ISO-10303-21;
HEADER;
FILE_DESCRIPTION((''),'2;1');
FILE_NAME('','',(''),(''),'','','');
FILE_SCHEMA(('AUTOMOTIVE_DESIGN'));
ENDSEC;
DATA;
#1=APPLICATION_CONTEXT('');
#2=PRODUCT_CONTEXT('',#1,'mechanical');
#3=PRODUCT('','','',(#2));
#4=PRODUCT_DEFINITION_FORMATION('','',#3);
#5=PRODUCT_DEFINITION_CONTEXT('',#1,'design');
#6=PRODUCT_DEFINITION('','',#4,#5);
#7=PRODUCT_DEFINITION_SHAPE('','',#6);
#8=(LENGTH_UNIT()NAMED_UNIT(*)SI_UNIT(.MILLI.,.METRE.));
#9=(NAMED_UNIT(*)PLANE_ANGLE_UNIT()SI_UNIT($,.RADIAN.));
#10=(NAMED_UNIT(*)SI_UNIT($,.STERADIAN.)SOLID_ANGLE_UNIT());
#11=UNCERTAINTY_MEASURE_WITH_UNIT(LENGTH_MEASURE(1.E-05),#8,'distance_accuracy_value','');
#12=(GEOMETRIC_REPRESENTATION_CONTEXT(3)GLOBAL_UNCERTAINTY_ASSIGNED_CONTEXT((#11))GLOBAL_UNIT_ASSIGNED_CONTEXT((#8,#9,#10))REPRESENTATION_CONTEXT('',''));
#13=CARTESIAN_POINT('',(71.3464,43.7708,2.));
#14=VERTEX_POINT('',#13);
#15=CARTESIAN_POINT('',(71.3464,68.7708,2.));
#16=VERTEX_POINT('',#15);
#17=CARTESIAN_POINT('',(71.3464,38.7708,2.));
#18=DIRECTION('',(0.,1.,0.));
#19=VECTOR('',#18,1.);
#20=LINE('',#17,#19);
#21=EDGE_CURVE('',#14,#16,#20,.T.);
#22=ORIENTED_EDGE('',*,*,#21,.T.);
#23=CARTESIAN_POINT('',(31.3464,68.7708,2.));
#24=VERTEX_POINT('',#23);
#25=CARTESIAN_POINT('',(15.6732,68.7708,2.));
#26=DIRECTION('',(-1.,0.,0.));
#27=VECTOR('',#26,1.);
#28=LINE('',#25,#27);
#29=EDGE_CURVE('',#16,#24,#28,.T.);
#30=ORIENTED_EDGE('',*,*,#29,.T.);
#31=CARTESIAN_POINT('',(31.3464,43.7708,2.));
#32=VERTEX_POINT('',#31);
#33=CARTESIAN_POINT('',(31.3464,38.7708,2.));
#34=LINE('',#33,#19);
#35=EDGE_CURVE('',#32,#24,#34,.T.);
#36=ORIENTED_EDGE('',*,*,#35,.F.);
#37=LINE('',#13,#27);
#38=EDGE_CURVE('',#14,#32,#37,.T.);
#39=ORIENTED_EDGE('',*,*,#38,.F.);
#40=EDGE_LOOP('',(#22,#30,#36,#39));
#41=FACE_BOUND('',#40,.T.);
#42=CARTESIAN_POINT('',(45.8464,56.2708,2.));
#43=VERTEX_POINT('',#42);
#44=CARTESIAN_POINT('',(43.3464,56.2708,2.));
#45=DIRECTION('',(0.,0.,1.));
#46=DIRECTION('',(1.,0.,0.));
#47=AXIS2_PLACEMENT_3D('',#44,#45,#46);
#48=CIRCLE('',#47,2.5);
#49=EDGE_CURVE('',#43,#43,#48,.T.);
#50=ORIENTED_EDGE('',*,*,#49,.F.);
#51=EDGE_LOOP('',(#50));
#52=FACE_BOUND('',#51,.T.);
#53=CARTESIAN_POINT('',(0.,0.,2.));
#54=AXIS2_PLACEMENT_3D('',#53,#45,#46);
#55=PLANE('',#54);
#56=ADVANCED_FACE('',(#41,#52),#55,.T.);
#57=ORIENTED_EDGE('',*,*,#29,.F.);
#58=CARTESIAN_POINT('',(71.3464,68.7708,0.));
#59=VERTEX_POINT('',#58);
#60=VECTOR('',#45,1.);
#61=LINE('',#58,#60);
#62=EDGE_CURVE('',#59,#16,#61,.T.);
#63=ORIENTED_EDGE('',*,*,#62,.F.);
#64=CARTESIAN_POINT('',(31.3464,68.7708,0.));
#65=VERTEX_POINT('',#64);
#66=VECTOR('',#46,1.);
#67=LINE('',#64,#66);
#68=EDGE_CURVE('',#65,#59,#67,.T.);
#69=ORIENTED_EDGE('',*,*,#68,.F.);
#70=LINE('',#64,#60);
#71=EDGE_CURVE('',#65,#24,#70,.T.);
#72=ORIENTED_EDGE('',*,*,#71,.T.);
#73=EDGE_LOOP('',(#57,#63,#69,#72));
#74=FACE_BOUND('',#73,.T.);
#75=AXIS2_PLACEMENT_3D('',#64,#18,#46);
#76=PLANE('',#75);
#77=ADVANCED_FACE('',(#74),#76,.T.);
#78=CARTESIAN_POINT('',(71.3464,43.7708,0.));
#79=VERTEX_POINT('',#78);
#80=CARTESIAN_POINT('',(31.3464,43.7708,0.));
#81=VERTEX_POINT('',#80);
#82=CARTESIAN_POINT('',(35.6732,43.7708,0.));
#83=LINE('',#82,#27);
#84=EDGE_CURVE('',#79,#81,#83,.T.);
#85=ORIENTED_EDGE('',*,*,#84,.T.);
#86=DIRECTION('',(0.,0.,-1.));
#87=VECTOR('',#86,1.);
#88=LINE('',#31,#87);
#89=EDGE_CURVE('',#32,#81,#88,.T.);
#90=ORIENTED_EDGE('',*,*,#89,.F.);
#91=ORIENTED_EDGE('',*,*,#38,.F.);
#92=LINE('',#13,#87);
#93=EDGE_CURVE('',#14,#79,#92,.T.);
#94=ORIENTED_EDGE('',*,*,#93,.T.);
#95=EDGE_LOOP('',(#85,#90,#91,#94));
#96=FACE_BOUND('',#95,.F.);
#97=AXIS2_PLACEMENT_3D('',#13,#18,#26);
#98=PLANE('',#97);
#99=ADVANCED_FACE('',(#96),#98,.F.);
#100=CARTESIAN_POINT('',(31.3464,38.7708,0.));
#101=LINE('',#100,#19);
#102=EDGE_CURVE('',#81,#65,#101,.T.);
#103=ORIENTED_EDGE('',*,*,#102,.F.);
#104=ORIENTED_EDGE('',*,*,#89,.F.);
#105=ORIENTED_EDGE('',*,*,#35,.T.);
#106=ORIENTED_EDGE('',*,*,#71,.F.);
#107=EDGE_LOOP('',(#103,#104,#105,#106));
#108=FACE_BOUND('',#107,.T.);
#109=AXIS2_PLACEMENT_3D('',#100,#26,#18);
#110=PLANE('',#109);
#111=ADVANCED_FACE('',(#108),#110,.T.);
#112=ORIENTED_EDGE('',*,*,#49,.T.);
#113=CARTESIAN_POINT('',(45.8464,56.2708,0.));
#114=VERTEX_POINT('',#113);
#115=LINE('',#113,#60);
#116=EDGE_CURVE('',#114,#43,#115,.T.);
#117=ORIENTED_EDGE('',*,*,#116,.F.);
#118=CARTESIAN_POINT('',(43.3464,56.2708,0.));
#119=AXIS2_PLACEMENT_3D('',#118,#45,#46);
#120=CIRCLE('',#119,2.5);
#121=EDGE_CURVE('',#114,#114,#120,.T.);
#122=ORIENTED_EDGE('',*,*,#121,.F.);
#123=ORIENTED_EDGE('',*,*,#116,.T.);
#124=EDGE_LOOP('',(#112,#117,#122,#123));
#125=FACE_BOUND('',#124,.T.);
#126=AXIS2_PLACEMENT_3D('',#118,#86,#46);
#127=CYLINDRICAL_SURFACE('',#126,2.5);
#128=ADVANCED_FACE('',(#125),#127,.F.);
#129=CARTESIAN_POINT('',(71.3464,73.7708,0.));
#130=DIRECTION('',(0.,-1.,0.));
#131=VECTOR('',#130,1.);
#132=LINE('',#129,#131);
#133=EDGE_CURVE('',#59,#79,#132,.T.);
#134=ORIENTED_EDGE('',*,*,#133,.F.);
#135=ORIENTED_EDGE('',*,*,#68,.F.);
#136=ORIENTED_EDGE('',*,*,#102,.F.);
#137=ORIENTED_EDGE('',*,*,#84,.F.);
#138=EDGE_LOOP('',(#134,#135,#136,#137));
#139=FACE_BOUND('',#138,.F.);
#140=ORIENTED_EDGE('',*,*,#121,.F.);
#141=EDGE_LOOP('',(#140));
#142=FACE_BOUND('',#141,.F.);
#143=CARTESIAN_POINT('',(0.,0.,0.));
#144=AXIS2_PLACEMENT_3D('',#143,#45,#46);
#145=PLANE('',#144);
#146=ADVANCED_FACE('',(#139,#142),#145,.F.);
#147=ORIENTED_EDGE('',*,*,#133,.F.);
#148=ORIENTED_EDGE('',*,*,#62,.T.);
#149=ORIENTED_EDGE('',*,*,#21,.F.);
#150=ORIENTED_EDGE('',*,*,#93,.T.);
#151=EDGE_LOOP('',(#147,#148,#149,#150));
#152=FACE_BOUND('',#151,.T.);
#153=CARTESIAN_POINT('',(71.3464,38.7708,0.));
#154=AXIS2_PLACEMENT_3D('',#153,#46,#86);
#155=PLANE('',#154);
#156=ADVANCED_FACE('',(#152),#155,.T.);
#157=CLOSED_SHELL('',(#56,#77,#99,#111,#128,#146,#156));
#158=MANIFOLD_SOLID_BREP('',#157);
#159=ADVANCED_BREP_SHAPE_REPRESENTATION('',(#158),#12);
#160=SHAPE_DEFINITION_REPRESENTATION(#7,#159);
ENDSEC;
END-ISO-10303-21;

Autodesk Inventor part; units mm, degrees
ref_plane "YZ Plane" through (0, 0, 0) normal (1, 0, 0) x (0, 1, 0)
ref_plane "XZ Plane" through (0, 0, 0) normal (0, 1, 0) x (-1, 0, 0)
ref_plane "XY Plane" through (0, 0, 0) normal (0, 0, 1) x (1, 0, 0)
sketch "Sketch1" plane through (0, 0, 0) normal (0, 0, 1) x (1, 0, 0)
  line L0 (31.3464, 73.7708) -> (86.3464, 73.7708)
  line L1 (86.3464, 73.7708) -> (86.3464, 38.7708)
  line L2 (86.3464, 38.7708) -> (31.3464, 38.7708)
  line L3 (31.3464, 38.7708) -> (31.3464, 73.7708)
  circle A0 centre (43.3464, 56.2708) radius 2.5
  point P0 (0, 0)
  dimension "d0" = 55
  dimension "d1" = 35
  dimension "d3" = 5
extrude "Extrusion1" add sketch "Sketch1" along normal blind 2
sketch "Sketch2" plane through (0, 0, 2) normal (0, 0, 1) x (1, 0, 0)
  point P0 (0, 0)
thread "Thread1" size "M5x0.8" class "6H" standard "ANSI Metric M Profile" length 43.6
sketch "Sketch3" plane through (86.3464, 38.7708, 0) normal (1, 0, 0) x (0, 0, -1)
  point P0 (0, -38.7708)
sketch "Sketch4" plane through (0, 0, 2) normal (0, 0, 1) x (1, 0, 0)
  point P0 (0, 0)
sketch "Sketch5" plane through (86.3464, 38.7708, 0) normal (1, 0, 0) x (0, 0, -1)
  line L0 (-2, 0) -> (-2, 35) projected
  line L1 (-2, 35) -> (0, 35)
  line L2 (0, 35) -> (0, 0)
  line L3 (0, 0) -> (-2, 0)
  line L4 (-2, 0) -> (-2, 35)
  point P0 (0, -38.7708)
  dimension "d8" = 2
  dimension "d9" = 35
extrude "Extrusion2" cut sketch "Sketch5" against normal blind 15
sketch "Sketch6" plane through (0, 0, 2) normal (0, 0, 1) x (1, 0, 0)
  line L0 (31.3464, 38.7708) -> (71.3464, 38.7708) projected
  line L1 (31.3464, 38.7708) -> (71.3464, 38.7708)
  line L2 (71.3464, 38.7708) -> (71.3464, 43.7708)
  line L3 (71.3464, 43.7708) -> (31.3464, 43.7708)
  line L4 (31.3464, 43.7708) -> (31.3464, 38.7708)
  point P0 (0, 0)
  dimension "d12" = 40
  dimension "d13" = 5
extrude "Extrusion3" cut sketch "Sketch6" against normal blind 15
sketch "Sketch7" plane through (0, 0, 0) normal (0, 0, -1) x (-1, 0, 0)
  line L0 (-71.3464, 73.7708) -> (-31.3464, 73.7708) projected
  line L1 (-71.3464, 73.7708) -> (-31.3464, 73.7708)
  line L2 (-31.3464, 73.7708) -> (-31.3464, 68.7708)
  line L3 (-31.3464, 68.7708) -> (-71.3464, 68.7708)
  line L4 (-71.3464, 68.7708) -> (-71.3464, 73.7708)
  point P0 (0, 0)
  dimension "d16" = 40
  dimension "d17" = 5
extrude "Extrusion4" cut sketch "Sketch7" against normal blind 15
properties part number "Peyangga Samping Kamera"
